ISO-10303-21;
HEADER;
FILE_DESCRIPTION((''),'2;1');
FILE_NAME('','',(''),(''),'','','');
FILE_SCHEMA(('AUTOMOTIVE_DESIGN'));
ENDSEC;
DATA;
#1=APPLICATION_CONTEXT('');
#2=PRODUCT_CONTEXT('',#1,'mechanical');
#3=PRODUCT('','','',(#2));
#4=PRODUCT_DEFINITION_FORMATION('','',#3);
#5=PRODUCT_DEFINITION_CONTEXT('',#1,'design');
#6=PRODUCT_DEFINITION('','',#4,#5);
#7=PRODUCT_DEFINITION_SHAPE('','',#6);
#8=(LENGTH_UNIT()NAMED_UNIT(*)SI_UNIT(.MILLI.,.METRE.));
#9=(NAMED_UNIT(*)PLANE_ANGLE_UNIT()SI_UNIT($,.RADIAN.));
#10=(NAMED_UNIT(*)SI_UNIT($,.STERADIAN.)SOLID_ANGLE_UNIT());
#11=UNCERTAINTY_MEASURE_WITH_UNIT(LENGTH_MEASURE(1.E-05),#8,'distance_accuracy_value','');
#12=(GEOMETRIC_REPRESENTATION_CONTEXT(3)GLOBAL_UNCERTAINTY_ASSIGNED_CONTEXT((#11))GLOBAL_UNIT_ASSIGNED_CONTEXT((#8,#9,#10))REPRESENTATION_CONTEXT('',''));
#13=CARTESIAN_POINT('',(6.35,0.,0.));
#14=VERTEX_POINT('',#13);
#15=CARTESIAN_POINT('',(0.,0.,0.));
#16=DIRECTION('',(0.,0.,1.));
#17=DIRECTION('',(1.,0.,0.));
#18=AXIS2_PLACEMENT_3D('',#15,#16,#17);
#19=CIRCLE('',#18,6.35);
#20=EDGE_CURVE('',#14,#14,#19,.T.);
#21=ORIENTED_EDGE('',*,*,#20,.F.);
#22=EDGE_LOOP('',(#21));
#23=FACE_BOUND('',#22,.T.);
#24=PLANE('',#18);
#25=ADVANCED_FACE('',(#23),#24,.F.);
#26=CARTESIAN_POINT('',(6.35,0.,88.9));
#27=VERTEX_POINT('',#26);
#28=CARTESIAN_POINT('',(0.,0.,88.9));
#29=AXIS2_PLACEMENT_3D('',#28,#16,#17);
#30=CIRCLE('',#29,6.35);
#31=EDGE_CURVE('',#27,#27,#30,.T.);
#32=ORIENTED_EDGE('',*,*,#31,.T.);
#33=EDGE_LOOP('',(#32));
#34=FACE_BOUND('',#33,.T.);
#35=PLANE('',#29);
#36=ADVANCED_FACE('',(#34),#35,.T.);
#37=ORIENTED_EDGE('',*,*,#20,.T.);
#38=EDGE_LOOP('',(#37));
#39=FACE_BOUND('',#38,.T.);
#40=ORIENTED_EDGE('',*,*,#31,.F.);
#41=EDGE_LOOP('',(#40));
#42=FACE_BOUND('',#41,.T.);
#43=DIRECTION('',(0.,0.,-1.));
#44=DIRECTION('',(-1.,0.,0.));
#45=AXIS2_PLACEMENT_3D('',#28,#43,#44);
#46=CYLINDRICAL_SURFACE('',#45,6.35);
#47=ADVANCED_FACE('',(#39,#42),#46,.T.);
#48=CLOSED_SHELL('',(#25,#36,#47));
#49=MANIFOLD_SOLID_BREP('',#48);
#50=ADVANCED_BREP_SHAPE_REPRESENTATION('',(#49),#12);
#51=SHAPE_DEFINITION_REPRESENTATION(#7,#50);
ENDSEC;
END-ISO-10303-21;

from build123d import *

# Parameters (mm, degrees)
CROQUIS1_R              = 6.35
SALIENTE_EXTRUIR1_DEPTH = 88.9


with BuildPart() as part:
    # Croquis1 → Saliente-Extruir1 (new body)
    with BuildSketch(Plane.XY):
        Circle(CROQUIS1_R)
    extrude(amount=SALIENTE_EXTRUIR1_DEPTH)


solid = part.part
